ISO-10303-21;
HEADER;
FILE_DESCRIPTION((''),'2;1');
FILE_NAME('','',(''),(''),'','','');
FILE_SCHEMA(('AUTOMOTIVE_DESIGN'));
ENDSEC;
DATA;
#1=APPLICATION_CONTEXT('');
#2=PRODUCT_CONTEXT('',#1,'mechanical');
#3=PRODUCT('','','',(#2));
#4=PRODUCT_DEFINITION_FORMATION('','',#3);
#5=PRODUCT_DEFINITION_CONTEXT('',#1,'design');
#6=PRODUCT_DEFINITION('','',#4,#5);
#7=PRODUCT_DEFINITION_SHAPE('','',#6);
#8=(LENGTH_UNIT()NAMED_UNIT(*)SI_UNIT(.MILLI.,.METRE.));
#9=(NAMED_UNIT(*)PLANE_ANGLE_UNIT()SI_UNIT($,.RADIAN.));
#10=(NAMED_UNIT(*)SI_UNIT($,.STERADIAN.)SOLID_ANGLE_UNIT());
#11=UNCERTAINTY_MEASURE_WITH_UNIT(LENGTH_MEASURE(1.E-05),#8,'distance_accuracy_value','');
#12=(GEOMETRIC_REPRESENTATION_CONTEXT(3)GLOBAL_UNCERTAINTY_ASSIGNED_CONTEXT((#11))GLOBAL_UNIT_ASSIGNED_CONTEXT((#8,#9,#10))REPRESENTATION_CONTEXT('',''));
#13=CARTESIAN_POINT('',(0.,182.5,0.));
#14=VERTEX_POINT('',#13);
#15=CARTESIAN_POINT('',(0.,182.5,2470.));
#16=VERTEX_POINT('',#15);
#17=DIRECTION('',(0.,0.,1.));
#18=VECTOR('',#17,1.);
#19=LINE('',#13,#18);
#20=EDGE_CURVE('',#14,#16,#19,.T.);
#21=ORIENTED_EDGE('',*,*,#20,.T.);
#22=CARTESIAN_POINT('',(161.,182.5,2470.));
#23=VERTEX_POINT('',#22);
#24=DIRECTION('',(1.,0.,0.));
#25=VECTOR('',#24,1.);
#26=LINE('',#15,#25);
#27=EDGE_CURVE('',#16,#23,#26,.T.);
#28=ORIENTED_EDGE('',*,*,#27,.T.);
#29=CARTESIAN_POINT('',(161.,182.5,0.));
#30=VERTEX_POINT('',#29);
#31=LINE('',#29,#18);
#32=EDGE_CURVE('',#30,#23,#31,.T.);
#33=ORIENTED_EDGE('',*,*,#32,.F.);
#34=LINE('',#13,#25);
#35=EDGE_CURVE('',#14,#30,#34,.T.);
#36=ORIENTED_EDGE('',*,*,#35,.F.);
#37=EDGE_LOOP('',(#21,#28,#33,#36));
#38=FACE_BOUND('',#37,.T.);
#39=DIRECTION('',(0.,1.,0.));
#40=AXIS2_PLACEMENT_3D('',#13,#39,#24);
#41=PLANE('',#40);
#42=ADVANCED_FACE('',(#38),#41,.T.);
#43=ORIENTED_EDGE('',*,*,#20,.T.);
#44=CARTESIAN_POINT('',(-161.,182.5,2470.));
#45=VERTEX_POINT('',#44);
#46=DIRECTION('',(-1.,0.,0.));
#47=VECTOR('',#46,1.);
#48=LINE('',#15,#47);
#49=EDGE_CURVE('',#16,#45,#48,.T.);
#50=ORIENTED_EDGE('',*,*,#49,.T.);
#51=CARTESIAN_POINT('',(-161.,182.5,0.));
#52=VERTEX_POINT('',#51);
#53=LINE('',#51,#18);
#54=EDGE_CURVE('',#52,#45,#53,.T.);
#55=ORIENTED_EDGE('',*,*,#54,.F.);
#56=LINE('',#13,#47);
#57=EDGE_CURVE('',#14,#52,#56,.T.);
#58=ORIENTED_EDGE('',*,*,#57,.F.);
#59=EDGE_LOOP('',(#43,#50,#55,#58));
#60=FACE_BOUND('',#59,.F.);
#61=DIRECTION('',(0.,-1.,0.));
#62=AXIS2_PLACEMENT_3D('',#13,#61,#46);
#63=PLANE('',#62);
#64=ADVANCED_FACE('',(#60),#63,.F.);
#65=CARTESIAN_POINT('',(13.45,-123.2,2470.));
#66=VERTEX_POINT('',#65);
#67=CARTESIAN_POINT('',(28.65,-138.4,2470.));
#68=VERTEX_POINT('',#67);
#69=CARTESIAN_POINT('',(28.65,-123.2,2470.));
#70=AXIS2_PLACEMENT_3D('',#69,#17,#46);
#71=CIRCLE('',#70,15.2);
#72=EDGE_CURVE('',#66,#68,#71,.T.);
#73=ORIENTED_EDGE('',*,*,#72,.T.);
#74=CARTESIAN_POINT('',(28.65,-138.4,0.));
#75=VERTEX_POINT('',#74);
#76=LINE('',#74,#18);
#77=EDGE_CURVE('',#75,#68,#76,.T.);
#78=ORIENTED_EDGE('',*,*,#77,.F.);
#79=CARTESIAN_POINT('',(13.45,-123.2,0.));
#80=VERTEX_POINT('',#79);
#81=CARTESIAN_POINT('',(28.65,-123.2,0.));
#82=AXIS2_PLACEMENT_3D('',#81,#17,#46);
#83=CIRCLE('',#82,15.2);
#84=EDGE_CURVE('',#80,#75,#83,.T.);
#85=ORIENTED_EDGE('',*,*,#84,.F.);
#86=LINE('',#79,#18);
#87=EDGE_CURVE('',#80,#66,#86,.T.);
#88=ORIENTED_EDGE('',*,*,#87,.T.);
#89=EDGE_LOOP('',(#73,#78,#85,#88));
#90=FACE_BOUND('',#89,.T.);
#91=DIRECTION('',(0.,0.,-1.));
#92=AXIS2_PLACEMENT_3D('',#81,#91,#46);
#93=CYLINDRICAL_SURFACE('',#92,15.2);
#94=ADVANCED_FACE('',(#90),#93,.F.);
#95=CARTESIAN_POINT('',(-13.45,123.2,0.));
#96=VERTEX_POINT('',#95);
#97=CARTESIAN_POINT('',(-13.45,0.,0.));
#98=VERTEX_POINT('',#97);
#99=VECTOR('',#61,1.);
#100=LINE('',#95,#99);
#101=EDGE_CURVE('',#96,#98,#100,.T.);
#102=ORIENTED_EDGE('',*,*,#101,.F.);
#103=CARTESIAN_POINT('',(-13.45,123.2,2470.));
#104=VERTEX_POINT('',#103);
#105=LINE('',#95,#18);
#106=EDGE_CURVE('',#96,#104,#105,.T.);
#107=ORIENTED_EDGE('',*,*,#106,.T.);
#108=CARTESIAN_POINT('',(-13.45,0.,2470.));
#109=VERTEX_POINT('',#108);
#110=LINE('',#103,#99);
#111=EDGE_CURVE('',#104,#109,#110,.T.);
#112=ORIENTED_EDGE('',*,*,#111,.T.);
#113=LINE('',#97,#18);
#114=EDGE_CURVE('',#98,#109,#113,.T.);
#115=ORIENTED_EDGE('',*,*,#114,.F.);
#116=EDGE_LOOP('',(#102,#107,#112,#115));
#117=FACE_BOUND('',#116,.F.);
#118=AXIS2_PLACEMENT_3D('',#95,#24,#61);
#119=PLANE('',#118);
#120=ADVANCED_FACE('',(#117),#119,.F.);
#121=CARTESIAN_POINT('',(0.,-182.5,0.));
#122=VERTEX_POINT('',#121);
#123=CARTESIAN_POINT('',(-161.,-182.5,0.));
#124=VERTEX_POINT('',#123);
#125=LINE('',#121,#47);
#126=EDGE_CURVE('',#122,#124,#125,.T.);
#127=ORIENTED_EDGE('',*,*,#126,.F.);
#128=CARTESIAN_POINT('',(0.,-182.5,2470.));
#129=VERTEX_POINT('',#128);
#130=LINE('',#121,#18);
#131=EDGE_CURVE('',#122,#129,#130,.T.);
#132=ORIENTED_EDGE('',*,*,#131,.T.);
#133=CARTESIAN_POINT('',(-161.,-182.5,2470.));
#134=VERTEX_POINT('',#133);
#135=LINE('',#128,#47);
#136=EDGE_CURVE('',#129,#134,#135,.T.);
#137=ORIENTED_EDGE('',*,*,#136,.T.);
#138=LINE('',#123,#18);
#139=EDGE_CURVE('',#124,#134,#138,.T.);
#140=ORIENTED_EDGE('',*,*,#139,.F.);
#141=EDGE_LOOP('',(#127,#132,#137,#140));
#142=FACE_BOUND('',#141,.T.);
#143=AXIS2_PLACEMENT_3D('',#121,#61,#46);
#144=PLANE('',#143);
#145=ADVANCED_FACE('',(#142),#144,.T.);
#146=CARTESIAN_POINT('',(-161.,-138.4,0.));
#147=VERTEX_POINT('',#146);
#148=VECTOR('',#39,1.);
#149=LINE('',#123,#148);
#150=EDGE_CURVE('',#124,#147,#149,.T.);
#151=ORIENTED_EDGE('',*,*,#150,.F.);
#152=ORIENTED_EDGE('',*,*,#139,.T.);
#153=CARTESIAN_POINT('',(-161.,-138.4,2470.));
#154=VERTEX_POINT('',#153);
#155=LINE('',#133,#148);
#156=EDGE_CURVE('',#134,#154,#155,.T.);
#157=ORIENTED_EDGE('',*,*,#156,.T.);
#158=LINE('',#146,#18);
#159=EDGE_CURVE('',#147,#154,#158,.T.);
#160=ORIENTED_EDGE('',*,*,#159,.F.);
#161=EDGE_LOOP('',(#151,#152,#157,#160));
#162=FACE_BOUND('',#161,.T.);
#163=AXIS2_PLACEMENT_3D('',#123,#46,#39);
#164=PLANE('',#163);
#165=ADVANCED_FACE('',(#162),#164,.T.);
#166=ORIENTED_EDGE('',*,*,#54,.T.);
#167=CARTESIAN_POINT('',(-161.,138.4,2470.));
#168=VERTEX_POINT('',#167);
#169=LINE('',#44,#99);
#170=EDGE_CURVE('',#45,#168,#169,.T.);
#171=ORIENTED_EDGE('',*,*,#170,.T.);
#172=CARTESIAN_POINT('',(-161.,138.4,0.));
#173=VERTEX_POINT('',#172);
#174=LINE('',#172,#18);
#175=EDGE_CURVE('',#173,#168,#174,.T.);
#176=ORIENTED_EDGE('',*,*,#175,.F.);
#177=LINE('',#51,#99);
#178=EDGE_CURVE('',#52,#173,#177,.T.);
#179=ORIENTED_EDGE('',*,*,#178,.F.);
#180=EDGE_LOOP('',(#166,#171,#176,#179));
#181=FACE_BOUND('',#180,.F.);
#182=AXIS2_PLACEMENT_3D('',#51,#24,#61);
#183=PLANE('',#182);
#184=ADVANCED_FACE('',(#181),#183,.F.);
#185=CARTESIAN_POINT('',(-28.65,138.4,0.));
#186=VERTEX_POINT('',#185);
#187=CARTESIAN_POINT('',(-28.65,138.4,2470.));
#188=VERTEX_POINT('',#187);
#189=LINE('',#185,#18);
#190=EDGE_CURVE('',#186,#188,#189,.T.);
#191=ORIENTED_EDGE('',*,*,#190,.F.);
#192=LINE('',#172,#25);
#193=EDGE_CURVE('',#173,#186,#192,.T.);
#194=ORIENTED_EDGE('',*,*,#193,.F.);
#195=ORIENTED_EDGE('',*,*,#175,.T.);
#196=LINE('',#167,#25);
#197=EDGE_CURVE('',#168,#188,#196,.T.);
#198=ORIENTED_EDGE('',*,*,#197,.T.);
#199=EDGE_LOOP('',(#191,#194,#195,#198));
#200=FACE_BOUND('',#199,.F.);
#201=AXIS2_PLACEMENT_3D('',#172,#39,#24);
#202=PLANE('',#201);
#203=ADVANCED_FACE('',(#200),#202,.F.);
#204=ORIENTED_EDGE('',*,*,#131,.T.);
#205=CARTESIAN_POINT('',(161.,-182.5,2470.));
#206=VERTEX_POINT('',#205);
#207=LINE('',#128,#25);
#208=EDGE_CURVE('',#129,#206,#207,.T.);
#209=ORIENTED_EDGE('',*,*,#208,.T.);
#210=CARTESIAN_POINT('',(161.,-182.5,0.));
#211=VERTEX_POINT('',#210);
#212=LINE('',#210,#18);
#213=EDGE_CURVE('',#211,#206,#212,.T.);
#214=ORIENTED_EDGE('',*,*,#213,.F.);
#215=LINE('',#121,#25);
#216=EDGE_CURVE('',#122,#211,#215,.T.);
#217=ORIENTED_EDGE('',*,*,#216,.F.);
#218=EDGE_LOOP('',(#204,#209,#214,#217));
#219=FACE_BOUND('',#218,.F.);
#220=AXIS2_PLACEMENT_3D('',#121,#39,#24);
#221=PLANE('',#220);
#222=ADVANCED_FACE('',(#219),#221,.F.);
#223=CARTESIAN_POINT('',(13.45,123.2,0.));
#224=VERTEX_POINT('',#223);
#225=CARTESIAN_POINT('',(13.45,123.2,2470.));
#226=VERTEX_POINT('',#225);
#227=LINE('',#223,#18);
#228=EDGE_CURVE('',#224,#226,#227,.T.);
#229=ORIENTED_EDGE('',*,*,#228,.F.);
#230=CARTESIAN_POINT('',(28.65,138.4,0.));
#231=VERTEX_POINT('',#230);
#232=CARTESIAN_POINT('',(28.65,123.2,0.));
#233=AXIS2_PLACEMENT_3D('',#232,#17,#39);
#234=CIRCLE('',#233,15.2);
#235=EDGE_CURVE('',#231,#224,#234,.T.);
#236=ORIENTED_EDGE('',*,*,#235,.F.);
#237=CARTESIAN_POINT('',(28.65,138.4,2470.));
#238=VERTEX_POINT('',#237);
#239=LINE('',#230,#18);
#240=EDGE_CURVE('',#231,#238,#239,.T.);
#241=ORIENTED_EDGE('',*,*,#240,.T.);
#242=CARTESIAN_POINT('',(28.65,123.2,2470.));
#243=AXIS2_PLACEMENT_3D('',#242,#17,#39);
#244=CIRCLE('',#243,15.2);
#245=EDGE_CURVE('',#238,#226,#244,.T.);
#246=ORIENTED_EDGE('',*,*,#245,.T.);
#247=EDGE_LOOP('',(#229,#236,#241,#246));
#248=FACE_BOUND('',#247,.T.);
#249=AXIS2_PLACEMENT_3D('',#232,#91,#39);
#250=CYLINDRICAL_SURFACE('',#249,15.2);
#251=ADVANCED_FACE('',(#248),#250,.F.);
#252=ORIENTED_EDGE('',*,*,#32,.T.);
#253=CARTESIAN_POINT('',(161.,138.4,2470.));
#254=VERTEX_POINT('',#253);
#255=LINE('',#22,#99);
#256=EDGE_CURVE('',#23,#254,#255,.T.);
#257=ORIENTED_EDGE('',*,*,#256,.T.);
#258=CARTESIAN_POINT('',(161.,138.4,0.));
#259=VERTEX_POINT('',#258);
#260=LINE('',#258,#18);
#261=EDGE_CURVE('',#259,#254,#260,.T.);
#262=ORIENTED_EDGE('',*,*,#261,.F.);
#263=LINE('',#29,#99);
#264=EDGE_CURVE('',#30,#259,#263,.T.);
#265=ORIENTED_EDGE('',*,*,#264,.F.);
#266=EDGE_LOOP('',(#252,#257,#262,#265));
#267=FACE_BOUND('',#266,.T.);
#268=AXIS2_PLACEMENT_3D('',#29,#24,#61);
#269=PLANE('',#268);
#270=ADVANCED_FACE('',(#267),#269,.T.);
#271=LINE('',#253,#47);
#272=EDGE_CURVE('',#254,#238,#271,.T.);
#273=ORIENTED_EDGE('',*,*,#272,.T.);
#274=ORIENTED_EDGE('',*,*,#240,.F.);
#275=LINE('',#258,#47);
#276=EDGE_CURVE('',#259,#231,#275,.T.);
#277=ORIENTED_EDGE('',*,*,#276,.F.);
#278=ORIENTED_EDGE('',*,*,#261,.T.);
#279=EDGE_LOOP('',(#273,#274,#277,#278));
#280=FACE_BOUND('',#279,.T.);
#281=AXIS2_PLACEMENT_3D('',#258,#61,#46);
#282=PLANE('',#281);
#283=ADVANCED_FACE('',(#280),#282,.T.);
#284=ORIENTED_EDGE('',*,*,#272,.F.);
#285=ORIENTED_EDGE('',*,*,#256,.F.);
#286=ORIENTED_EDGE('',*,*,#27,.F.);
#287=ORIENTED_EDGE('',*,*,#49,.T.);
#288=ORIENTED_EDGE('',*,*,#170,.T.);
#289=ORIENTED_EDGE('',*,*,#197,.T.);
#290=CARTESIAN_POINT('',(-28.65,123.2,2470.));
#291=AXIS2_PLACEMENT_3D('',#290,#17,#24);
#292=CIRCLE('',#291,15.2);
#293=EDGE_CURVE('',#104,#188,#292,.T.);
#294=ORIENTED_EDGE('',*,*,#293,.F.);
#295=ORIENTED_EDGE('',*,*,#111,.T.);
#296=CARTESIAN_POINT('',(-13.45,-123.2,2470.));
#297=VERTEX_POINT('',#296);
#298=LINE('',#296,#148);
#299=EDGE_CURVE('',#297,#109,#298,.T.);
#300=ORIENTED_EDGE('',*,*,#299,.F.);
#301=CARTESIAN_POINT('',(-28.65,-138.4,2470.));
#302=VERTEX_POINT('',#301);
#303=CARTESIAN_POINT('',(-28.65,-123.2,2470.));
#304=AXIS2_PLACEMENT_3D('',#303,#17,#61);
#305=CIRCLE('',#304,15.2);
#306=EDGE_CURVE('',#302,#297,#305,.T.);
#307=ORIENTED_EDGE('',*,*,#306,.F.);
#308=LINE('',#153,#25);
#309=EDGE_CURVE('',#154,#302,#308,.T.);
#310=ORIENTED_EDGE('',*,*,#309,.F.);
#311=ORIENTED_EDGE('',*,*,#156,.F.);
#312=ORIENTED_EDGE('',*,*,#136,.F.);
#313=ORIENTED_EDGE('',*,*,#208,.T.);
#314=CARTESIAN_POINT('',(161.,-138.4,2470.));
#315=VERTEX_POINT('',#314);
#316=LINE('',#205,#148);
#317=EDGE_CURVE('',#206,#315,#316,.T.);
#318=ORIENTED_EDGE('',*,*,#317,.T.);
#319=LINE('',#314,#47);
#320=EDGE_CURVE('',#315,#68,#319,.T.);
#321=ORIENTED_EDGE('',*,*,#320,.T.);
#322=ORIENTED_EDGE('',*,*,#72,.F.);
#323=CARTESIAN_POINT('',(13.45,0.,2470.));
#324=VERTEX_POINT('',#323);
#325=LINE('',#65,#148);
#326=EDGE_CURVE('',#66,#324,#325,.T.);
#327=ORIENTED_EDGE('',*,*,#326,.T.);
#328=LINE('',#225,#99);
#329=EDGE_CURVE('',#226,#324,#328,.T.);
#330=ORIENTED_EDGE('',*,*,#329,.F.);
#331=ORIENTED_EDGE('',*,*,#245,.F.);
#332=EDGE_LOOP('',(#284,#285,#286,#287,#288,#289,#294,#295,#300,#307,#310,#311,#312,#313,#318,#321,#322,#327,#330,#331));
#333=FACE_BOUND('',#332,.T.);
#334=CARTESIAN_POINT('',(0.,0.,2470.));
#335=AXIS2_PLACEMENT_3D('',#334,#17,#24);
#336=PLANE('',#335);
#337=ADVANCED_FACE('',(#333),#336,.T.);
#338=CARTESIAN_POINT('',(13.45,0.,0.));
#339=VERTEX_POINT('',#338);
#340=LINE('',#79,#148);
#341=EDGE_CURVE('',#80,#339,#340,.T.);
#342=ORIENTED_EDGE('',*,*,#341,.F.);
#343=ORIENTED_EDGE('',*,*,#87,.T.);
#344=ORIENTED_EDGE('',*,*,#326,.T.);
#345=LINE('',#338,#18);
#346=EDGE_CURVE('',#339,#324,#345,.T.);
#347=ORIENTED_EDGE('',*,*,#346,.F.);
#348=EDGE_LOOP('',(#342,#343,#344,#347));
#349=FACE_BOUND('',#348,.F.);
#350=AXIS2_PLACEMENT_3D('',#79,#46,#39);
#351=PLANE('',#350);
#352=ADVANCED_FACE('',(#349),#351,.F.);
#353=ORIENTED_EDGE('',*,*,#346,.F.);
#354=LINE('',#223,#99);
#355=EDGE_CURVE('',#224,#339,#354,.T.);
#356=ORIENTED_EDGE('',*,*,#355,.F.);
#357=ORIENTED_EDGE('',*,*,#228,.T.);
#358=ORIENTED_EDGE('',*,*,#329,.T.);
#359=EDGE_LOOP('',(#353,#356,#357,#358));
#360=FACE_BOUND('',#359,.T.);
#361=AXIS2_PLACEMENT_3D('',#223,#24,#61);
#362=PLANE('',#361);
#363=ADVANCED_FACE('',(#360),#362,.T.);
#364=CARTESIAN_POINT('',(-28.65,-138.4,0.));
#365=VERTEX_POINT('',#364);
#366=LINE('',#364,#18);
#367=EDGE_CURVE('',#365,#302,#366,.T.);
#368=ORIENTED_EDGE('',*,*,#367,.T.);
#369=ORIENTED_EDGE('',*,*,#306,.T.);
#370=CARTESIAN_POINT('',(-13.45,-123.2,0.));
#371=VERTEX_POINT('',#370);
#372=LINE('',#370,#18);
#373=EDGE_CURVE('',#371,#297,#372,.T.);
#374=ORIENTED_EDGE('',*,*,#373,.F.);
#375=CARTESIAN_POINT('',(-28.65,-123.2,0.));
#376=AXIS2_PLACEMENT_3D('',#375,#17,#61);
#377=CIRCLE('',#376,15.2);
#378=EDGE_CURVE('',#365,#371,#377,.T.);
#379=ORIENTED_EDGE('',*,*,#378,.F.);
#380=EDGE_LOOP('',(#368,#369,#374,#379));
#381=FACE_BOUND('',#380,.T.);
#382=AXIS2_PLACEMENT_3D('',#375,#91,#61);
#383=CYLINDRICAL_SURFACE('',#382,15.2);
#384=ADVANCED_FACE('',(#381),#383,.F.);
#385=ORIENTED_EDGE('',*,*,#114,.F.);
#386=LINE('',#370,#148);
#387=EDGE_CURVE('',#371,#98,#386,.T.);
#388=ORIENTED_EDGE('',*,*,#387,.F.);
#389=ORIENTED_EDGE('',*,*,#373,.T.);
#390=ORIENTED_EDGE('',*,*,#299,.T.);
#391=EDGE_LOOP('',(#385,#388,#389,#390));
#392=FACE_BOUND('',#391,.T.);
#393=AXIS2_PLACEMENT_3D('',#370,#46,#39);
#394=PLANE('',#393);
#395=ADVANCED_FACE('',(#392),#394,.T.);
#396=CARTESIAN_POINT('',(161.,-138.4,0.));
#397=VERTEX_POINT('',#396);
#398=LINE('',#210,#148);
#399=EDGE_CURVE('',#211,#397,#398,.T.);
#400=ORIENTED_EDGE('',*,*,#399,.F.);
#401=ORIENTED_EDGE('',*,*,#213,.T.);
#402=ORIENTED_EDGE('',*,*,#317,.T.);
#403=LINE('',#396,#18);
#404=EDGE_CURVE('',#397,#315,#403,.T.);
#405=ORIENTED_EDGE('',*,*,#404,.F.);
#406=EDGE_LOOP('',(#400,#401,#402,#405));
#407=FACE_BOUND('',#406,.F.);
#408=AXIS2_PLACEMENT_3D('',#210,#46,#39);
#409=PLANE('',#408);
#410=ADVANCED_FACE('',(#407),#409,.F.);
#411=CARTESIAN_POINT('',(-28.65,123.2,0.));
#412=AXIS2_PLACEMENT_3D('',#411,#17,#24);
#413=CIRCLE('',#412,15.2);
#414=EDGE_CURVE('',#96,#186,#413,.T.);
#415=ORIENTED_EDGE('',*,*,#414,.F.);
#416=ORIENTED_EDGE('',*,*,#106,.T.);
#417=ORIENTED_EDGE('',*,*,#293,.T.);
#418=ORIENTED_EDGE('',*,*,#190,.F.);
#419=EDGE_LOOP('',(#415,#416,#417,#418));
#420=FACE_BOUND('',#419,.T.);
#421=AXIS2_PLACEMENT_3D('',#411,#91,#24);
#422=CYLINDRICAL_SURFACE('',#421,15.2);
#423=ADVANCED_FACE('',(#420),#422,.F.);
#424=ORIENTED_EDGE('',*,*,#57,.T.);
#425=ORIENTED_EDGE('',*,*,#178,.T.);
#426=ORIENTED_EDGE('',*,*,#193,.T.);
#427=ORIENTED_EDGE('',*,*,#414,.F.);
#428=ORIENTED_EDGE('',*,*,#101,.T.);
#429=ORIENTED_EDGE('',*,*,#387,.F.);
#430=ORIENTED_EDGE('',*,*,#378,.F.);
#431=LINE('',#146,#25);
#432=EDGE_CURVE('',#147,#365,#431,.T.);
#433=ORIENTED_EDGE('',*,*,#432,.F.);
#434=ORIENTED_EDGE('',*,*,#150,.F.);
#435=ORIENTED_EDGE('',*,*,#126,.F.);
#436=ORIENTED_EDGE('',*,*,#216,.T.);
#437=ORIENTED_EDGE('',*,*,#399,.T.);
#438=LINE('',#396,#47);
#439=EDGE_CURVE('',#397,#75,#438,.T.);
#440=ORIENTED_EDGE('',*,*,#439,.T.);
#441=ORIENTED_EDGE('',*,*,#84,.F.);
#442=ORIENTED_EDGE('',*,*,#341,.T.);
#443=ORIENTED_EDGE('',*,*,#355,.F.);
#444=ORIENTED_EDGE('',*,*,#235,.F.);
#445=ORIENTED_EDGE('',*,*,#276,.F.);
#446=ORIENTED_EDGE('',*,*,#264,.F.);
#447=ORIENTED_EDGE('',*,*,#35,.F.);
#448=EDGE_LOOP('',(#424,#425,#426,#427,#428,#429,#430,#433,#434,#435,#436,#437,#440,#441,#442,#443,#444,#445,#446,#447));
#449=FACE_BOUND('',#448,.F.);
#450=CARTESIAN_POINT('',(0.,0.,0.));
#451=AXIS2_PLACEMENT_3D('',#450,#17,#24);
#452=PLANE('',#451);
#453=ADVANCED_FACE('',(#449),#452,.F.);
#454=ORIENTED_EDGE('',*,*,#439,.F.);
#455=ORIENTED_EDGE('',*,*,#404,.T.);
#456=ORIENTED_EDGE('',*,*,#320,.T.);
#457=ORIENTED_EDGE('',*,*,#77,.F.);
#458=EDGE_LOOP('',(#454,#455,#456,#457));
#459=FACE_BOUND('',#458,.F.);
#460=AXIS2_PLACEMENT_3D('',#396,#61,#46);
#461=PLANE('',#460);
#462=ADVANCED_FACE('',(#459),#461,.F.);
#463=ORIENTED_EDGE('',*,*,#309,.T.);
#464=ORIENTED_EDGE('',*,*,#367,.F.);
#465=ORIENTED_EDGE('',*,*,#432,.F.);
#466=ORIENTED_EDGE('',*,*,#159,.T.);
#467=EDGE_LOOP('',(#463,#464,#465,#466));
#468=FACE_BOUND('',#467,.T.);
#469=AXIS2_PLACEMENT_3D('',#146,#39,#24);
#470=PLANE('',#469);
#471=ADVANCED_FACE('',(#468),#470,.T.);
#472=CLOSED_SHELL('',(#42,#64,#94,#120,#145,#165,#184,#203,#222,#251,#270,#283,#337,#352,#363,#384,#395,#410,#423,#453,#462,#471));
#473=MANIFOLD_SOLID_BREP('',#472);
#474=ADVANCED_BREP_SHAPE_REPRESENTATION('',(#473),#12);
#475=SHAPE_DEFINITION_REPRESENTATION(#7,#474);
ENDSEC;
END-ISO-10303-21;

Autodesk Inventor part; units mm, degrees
ref_plane "YZ Plane" through (0, 0, 0) normal (1, 0, 0) x (0, 1, 0)
ref_plane "Start plane" through (0, 0, 0) normal (0, 0, 1) x (1, 0, 0)
ref_plane "End plane" through (0, 0, 2470) normal (0, 0, 1) x (1, 0, 0)
sketch "Sketch" plane through (0, 0, 0) normal (0, 0, 1) x (1, 0, 0)
  line L0 (-161, -182.5) -> (-161, -138.4)
  line L1 (-161, -138.4) -> (-28.65, -138.4)
  line L2 (-13.45, -123.2) -> (-13.45, 0)
  line L3 (-13.45, 0) -> (0, 0) construction
  line L4 (0, 0) -> (0, -182.5) construction
  line L5 (0, -182.5) -> (-161, -182.5)
  line L6 (-60, 0) -> (80, 0) construction
  line L7 (0, -60) -> (0, 80) construction
  line L8 (161, -182.5) -> (161, -138.4)
  line L9 (161, -138.4) -> (28.65, -138.4)
  line L10 (13.45, -123.2) -> (13.45, 0)
  line L11 (13.45, 0) -> (0, 0) construction
  line L12 (0, -182.5) -> (161, -182.5)
  line L13 (-161, 182.5) -> (-161, 138.4)
  line L14 (-161, 138.4) -> (-28.65, 138.4)
  line L15 (-13.45, 123.2) -> (-13.45, 0)
  line L16 (0, 182.5) -> (-161, 182.5)
  line L17 (161, 182.5) -> (161, 138.4)
  line L18 (161, 138.4) -> (28.65, 138.4)
  line L19 (0, 182.5) -> (161, 182.5)
  line L20 (13.45, 123.2) -> (13.45, 0)
  arc A0 (-13.45, 123.2) -> (-28.65, 138.4) centre (-28.65, 123.2) ccw
  arc A1 (28.65, 138.4) -> (13.45, 123.2) centre (28.65, 123.2) ccw
  arc A2 (13.45, -123.2) -> (28.65, -138.4) centre (28.65, -123.2) ccw
  arc A3 (-28.65, -138.4) -> (-13.45, -123.2) centre (-28.65, -123.2) ccw
  line L21 (0, 108) -> (0, -88) construction
  line L22 (-88, 0) -> (108, 0) construction
  point P0 (-13.45, -138.4)
  point P1 (13.45, -138.4)
  point P2 (-13.45, 138.4)
  point P3 (13.45, 138.4)
  dimension "d1" = 182.5
  dimension "d2" = 44.1
  dimension "d3" = 161
  dimension "d4" = 13.45
  dimension "d10" = 15.2
extrude "Body" add sketch "Sketch" along normal up to surface (2470 mm away) from surface at 0
sketch "Sketch4" plane through (0, 0, 0) normal (0, 0, 1) x (1, 0, 0)
  line L0 (0, 0) -> (10, 0)
ref_plane "Work Plane3" through (0, 0, 0) normal (0, -1, 0) x (1, 0, 0)
sketch "Sketch5" plane through (0, 0, 0) normal (0, -1, 0) x (1, 0, 0)
  line L0 (-2, 0) -> (12, 0) projected
  line L1 (-2, 2470) -> (12, 2470) projected
  dimension "d14" = 2470
equation "\"d1\" = 0.5 * G_H"
equation "\"d2\" = G_T1"
equation "\"d3\" = 0.5 * G_W"
equation "\"d4\" = 0.5 * G_T"
equation "\"d10\" = G_IR"
equation "\"d5\" = G_L"
equation "\"G_W\" = 322"
equation "\"G_H\" = 365"
equation "\"G_T\" = 26.9"
equation "\"G_T1\" = 44.1"
equation "\"G_IR\" = 15.2"
equation "\"G_L\" = d14"
equation "\"G_OFFSET_START\" = 0"
equation "\"G_OFFSET_END\" = 0"
properties part number "AS 3679 - 310 UC - 283 - 2470" material "Steel, Mild"
